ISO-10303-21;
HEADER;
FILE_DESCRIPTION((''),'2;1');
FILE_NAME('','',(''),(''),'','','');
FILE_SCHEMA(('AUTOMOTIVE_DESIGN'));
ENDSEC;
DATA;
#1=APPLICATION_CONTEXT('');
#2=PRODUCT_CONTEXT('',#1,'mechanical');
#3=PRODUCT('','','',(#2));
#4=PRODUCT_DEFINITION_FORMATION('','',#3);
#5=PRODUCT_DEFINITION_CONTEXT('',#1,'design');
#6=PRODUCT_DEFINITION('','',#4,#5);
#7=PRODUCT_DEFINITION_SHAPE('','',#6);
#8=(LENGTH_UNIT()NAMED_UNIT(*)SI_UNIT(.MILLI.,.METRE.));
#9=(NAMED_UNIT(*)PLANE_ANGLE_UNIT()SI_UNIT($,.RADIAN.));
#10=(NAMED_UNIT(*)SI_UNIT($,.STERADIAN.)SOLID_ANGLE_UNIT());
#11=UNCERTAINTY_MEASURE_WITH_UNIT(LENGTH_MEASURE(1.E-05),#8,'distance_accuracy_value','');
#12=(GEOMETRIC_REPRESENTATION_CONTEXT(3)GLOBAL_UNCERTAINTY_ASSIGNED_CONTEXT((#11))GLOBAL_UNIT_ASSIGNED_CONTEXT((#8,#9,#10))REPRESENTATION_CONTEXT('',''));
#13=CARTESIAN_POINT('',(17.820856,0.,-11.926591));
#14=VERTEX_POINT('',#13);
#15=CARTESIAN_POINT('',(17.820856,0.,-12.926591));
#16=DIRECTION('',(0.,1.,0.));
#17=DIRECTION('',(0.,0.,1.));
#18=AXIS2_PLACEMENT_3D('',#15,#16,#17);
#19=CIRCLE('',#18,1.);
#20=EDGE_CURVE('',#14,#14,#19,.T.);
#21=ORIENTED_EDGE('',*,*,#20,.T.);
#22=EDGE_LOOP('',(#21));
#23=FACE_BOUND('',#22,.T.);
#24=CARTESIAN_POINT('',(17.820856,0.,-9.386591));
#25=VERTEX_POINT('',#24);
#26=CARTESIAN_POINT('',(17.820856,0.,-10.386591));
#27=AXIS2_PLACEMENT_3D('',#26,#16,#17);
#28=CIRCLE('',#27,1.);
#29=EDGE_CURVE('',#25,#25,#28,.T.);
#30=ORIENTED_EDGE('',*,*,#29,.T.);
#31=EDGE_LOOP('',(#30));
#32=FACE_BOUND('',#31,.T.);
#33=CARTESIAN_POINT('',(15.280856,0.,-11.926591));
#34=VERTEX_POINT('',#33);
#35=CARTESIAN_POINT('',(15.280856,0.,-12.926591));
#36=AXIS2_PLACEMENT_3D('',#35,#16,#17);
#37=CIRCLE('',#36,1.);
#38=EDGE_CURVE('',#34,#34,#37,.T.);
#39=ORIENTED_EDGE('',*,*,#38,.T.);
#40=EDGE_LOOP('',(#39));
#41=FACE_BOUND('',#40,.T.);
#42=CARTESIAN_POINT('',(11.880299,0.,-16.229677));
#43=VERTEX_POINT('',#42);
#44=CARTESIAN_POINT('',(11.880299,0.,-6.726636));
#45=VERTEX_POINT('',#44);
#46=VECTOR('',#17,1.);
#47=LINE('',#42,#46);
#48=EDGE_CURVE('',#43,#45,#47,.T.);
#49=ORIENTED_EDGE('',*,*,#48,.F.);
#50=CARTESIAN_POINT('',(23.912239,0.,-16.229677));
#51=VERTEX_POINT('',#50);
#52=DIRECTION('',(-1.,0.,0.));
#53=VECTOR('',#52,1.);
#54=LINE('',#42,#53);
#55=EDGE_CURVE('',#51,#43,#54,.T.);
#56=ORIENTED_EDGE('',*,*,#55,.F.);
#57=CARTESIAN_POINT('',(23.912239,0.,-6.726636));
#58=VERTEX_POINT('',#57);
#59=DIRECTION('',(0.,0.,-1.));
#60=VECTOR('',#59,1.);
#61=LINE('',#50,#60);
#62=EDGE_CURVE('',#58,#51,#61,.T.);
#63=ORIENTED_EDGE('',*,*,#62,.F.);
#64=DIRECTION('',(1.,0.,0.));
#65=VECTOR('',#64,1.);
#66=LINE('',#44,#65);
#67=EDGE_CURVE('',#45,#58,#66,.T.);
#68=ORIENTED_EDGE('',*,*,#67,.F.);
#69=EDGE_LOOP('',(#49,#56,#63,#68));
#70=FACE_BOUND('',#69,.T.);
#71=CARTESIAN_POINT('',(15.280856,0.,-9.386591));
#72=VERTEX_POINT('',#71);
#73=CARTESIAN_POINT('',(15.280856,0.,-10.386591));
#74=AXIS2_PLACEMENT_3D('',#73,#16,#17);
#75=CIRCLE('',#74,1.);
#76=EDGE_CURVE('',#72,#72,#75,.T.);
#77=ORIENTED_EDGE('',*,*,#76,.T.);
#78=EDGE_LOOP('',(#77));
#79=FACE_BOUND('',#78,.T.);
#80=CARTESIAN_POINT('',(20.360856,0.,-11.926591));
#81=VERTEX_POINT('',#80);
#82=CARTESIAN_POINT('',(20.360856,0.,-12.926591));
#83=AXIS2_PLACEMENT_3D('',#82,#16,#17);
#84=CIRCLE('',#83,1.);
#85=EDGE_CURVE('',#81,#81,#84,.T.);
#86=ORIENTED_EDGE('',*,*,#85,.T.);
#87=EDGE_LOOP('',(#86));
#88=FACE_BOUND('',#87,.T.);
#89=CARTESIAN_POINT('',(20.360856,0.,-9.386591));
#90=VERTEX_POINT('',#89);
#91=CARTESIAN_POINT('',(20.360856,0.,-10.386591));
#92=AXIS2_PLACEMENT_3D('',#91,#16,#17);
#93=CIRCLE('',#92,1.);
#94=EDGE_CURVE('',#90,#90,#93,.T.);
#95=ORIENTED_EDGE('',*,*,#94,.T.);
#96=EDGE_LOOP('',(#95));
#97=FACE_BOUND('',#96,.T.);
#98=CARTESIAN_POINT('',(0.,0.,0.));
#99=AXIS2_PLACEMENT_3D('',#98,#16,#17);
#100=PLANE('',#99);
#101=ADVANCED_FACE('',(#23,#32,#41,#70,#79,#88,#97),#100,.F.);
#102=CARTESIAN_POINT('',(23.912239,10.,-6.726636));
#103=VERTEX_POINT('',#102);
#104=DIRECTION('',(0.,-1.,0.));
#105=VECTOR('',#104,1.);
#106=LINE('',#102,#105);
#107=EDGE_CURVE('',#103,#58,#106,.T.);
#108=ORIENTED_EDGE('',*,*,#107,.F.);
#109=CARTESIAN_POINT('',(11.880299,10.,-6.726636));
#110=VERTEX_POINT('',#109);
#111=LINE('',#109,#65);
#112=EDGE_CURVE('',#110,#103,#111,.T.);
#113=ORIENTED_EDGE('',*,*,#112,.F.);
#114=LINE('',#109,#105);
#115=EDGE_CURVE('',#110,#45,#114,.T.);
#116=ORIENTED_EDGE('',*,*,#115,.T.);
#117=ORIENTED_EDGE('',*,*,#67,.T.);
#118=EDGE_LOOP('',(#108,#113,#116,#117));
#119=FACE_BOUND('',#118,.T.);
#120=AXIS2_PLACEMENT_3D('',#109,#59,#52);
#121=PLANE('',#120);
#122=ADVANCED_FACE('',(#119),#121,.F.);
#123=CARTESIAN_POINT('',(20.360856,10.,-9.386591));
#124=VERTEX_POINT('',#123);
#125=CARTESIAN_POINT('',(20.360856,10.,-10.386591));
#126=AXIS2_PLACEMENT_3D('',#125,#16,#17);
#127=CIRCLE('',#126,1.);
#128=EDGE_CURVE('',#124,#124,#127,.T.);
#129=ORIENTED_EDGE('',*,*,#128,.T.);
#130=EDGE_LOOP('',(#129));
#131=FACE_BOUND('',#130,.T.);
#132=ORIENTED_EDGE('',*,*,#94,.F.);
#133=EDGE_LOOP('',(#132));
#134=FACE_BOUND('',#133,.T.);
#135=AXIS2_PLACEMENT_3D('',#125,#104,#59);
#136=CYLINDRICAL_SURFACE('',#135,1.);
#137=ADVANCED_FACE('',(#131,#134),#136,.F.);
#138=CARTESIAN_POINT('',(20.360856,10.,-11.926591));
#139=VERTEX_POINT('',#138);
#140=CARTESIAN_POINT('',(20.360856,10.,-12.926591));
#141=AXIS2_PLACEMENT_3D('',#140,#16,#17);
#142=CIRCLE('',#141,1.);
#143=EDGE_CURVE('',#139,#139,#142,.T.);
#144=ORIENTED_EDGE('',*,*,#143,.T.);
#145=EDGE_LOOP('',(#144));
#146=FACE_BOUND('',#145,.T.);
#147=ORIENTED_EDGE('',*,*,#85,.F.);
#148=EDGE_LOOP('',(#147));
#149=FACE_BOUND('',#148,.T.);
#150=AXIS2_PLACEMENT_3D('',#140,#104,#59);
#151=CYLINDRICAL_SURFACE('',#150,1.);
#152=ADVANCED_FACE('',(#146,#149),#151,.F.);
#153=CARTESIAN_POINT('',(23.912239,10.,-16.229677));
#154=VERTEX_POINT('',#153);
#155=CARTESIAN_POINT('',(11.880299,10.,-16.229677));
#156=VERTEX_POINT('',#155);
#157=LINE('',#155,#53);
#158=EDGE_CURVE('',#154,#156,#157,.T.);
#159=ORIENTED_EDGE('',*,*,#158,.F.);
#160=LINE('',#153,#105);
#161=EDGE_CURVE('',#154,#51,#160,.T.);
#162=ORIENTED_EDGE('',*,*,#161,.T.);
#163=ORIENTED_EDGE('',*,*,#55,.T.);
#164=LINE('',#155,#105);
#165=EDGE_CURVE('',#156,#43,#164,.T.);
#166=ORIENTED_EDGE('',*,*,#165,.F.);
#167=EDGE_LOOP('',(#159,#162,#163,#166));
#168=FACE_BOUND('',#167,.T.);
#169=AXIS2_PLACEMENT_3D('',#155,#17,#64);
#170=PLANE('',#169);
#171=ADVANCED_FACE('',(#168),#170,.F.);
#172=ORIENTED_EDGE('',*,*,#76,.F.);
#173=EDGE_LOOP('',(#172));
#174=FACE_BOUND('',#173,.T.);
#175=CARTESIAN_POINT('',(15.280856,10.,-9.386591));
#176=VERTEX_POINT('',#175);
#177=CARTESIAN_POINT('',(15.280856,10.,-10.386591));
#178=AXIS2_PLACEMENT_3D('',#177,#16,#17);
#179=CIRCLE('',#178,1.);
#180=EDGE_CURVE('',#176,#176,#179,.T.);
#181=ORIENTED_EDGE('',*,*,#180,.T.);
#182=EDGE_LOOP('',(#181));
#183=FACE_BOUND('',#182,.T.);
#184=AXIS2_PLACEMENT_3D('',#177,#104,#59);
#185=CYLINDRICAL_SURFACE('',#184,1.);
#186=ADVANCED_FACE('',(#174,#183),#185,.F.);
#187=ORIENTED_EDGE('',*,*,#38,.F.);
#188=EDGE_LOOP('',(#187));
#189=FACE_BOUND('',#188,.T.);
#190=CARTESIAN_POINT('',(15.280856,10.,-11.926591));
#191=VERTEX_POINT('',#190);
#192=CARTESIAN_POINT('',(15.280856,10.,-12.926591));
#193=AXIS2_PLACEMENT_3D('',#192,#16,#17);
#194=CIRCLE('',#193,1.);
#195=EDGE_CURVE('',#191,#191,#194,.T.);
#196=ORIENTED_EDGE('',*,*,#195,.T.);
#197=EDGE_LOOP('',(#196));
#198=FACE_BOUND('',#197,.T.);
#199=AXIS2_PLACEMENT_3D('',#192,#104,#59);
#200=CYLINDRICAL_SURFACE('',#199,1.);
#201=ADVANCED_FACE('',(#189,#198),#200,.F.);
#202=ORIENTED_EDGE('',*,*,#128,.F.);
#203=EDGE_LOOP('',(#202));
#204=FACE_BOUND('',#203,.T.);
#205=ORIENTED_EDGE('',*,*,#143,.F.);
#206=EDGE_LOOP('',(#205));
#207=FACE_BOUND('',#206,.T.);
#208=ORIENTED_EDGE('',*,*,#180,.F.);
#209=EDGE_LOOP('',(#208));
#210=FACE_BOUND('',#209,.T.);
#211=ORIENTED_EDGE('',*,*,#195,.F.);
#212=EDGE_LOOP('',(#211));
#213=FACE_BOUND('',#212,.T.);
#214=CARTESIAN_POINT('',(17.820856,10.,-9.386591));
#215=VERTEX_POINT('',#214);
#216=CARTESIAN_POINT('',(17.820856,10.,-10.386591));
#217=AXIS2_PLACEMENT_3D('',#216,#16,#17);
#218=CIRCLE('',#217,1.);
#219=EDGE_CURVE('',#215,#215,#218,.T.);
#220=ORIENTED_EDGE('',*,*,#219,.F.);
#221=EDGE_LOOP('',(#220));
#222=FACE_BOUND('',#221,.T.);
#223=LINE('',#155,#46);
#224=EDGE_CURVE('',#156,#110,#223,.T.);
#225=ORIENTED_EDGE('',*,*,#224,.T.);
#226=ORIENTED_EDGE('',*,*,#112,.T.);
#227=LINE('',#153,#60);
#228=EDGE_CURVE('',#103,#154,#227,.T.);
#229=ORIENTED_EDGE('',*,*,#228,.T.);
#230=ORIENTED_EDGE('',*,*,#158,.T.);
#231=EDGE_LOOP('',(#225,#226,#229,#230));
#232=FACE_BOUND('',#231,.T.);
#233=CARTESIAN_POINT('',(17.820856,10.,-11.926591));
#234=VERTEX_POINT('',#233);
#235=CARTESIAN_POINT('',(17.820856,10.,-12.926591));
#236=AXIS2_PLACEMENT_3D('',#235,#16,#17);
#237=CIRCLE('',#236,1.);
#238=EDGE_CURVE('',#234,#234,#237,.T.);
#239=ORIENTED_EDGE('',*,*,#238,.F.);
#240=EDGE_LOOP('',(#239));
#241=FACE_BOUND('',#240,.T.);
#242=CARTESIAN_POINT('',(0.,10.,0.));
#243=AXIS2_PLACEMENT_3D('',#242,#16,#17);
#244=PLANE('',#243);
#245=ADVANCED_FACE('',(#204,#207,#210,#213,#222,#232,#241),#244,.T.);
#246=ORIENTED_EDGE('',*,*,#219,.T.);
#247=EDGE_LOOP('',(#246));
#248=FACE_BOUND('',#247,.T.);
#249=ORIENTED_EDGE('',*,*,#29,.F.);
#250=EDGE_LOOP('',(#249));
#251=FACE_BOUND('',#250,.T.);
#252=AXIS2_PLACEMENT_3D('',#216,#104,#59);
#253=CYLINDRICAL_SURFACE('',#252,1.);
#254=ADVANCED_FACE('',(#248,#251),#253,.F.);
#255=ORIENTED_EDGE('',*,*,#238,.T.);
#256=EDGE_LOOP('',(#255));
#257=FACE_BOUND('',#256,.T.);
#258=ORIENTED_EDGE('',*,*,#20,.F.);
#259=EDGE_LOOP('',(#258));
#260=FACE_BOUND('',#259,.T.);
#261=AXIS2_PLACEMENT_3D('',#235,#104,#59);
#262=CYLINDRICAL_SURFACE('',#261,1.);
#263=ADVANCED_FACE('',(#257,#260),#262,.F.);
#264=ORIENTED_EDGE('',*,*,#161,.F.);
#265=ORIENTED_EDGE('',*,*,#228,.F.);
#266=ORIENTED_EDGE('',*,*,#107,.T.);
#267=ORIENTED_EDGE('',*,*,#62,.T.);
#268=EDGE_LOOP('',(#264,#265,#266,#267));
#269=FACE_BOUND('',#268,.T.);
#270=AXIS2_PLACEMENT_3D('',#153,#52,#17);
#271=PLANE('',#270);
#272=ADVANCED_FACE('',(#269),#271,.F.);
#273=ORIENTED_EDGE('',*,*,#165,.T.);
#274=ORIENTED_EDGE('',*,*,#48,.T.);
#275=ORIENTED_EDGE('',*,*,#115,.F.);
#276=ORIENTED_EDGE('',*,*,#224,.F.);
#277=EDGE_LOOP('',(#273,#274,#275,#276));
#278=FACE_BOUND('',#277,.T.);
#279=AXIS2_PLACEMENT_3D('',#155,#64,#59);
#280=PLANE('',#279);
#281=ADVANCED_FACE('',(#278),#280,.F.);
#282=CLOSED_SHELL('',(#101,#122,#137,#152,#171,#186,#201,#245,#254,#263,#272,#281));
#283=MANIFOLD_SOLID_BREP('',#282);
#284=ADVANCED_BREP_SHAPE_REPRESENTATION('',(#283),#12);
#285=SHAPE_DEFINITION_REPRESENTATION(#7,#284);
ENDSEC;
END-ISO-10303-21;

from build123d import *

# Parameters (mm, degrees)
SKETCH1_W           = 12.031940199
SKETCH1_H           = 9.50304057
SKETCH1_R           = 1
BOSS_EXTRUDE1_DEPTH = 10


with BuildPart() as part:
    # Sketch1 → Boss-Extrude1 (new body)
    with BuildSketch(Plane(origin=(0, 0, 0), x_dir=(1, 0, 0), z_dir=(0, 1, 0))):
        with Locations((17.896268666, 11.478156572)):
            Rectangle(SKETCH1_W, SKETCH1_H)
        with Locations(Location((15.280855677, 10.386591101, 0), (0, 0, 270))):
            Circle(SKETCH1_R, mode=Mode.SUBTRACT)
        with Locations(Location((17.820855677, 10.386591101, 0), (0, 0, 270))):
            Circle(SKETCH1_R, mode=Mode.SUBTRACT)
        with Locations(Location((20.360855677, 10.386591101, 0), (0, 0, 270))):
            Circle(SKETCH1_R, mode=Mode.SUBTRACT)
        with Locations(Location((15.280855677, 12.926591101, 0), (0, 0, 270))):
            Circle(SKETCH1_R, mode=Mode.SUBTRACT)
        with Locations(Location((17.820855677, 12.926591101, 0), (0, 0, 270))):
            Circle(SKETCH1_R, mode=Mode.SUBTRACT)
        with Locations(Location((20.360855677, 12.926591101, 0), (0, 0, 270))):
            Circle(SKETCH1_R, mode=Mode.SUBTRACT)
    extrude(amount=BOSS_EXTRUDE1_DEPTH)


solid = part.part
